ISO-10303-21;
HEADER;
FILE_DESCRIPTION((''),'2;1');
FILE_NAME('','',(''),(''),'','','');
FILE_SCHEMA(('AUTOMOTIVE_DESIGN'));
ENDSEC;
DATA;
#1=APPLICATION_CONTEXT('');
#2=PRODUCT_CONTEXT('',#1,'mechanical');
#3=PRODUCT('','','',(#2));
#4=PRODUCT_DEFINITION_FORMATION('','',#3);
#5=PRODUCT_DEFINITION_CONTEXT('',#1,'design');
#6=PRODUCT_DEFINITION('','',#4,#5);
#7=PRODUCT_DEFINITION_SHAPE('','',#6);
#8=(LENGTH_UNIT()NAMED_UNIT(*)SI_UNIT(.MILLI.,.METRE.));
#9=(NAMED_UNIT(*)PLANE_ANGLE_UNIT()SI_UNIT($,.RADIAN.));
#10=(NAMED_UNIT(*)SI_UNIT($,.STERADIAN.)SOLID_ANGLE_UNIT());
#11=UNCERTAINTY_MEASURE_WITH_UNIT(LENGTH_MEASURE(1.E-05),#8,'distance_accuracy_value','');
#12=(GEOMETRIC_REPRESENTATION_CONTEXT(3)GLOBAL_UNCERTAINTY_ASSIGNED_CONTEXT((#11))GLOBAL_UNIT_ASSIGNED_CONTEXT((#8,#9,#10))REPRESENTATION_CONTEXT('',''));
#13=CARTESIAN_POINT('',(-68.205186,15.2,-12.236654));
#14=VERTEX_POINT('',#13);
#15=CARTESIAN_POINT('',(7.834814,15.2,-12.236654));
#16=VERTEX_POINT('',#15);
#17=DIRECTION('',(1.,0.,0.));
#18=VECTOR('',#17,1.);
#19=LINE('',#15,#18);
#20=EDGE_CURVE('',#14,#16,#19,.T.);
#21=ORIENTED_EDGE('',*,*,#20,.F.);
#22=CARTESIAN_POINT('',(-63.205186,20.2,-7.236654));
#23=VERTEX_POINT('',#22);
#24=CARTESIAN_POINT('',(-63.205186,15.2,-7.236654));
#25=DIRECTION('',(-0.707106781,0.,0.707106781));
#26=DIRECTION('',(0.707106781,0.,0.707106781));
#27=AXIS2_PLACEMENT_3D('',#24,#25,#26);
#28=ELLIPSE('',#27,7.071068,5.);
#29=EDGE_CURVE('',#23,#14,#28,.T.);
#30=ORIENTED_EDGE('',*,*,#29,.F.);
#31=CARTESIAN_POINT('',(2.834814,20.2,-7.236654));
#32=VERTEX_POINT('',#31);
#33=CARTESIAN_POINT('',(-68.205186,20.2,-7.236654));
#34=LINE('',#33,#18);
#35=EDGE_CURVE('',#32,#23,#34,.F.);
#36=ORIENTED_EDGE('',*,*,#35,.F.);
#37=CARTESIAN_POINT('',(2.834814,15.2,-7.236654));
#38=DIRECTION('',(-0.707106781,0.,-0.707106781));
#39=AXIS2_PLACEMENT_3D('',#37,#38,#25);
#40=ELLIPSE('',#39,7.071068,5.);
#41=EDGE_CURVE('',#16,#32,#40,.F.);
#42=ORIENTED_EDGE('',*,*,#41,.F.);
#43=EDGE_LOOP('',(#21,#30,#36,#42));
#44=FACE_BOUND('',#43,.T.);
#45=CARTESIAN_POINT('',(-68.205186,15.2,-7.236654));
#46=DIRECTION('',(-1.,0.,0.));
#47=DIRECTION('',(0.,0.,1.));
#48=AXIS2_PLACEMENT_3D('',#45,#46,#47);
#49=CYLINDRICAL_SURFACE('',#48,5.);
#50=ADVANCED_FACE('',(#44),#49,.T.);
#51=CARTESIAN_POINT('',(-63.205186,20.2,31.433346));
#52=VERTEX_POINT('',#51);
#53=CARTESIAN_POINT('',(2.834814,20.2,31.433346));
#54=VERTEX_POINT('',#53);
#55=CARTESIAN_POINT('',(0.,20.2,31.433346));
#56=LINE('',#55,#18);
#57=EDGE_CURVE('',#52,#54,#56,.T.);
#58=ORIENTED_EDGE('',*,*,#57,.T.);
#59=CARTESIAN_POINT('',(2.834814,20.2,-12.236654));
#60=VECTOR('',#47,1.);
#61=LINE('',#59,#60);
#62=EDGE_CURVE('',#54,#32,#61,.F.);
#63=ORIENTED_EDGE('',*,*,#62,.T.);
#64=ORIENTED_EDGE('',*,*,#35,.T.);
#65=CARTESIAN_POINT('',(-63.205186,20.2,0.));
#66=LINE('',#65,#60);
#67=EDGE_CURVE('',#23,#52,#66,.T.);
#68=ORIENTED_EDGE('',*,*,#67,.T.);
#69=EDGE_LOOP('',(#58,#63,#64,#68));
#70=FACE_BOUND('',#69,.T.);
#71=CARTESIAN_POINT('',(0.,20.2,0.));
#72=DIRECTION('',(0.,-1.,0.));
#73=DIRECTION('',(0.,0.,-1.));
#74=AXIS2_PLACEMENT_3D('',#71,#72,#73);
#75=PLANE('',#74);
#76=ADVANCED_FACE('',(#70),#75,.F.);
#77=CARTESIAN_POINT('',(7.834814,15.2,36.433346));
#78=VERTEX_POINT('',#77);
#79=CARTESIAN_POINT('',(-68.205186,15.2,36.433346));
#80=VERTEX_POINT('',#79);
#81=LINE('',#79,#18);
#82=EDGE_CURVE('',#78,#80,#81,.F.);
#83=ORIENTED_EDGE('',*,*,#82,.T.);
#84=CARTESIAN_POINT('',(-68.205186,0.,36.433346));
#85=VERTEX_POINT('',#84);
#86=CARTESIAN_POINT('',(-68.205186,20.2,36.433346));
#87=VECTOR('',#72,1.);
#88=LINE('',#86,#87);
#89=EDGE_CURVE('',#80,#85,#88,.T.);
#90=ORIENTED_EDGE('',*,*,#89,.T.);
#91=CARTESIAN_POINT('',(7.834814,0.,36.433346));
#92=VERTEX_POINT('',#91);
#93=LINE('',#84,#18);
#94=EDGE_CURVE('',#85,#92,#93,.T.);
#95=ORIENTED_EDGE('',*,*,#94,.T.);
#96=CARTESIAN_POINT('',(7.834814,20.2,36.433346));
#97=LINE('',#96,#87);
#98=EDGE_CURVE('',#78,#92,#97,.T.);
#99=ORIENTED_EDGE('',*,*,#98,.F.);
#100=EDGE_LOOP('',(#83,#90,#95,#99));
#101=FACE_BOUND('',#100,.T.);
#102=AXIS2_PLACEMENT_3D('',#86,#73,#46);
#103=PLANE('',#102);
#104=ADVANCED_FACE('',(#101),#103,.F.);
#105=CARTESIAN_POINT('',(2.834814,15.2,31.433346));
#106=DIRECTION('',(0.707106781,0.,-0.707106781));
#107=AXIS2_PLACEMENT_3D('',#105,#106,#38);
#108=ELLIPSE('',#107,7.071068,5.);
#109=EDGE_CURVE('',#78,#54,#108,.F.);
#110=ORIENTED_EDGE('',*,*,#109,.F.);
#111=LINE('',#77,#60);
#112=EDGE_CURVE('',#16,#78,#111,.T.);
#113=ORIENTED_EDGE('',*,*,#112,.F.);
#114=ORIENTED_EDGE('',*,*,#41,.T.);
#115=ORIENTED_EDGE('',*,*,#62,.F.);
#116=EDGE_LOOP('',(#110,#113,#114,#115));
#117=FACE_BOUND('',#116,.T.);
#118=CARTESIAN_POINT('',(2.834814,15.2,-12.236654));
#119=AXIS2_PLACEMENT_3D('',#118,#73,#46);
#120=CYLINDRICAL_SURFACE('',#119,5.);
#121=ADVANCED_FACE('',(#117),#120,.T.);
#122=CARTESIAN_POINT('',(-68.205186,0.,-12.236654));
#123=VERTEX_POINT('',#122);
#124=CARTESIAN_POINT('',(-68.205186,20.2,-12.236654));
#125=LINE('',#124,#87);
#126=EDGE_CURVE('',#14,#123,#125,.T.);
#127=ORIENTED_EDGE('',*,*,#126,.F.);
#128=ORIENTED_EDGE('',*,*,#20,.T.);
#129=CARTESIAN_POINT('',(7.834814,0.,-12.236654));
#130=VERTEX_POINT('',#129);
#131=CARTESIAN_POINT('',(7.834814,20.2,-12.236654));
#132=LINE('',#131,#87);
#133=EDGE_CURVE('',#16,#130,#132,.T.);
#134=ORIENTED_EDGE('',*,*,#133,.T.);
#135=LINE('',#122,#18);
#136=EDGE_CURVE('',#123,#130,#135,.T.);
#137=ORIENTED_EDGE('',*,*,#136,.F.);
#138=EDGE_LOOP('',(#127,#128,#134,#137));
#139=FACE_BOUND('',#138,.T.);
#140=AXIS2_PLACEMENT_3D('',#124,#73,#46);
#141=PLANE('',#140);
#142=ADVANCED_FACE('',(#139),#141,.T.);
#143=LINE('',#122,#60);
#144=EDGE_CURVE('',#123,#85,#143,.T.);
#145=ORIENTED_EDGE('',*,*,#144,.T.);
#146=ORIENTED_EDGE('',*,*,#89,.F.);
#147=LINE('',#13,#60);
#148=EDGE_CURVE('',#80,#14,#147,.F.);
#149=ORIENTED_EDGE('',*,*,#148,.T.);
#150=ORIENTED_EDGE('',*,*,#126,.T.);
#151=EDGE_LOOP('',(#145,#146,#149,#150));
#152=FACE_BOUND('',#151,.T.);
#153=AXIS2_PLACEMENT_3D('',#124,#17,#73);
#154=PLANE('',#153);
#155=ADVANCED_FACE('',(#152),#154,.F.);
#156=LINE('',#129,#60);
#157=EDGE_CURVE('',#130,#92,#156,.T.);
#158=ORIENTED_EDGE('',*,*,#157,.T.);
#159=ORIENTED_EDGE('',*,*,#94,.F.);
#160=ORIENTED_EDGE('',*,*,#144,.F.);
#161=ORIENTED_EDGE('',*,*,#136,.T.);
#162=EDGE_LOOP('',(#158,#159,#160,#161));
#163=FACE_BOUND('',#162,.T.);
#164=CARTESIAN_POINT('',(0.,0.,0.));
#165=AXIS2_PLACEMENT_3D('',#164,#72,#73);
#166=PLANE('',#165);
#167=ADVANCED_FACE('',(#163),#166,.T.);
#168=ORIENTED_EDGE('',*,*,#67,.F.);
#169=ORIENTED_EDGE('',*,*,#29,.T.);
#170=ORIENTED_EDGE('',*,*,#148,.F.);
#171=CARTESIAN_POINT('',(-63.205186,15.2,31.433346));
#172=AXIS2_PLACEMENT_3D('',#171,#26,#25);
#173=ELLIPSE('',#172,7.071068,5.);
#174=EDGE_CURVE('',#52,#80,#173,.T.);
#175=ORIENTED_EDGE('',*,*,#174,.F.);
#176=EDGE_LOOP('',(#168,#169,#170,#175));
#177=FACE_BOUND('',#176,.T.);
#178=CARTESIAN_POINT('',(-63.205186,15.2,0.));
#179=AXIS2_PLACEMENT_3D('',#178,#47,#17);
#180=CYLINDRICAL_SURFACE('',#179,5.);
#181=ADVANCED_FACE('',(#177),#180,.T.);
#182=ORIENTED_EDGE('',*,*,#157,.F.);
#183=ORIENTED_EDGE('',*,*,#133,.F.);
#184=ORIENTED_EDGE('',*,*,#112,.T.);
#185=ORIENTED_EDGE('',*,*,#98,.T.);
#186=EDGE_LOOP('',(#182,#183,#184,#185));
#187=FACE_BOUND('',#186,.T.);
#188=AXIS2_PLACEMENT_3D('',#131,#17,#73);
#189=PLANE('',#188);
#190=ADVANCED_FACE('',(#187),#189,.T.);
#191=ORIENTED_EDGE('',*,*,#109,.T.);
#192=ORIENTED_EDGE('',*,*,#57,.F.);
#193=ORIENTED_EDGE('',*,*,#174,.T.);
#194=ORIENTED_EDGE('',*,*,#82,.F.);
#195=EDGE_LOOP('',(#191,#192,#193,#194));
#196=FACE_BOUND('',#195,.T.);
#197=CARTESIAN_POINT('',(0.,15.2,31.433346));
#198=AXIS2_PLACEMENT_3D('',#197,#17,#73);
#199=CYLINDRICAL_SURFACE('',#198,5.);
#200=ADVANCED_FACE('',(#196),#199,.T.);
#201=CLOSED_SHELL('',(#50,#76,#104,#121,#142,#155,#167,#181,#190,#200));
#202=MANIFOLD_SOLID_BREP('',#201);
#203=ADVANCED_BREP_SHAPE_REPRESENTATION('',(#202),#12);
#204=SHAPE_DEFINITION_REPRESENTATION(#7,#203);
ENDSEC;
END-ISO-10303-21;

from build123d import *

# Parameters (mm, degrees)
SKETCH1_W           = 76.04
SKETCH1_H           = 48.67
BOSS_EXTRUDE1_DEPTH = 20.2
FILLET3_R           = 5


with BuildPart() as part:
    # Sketch1 → Boss-Extrude1 (new body)
    with BuildSketch(Plane(origin=(0, 0, 0), x_dir=(1, 0, 0), z_dir=(0, 1, 0))):
        with Locations((-30.185186327, -12.098345934)):
            Rectangle(SKETCH1_W, SKETCH1_H)
    extrude(amount=BOSS_EXTRUDE1_DEPTH)

    # Fillet3
    fillet3_edges = [part.edges().sort_by_distance(p)[0] for p in [
        (-30.185186327, 20.2, -12.236654066),
        (-68.205186327, 20.2, 12.098345934),
        (-30.185186327, 20.2, 36.433345934),
        (7.834813673, 20.2, 12.098345934),
    ]]
    fillet(fillet3_edges, radius=FILLET3_R)


solid = part.part
